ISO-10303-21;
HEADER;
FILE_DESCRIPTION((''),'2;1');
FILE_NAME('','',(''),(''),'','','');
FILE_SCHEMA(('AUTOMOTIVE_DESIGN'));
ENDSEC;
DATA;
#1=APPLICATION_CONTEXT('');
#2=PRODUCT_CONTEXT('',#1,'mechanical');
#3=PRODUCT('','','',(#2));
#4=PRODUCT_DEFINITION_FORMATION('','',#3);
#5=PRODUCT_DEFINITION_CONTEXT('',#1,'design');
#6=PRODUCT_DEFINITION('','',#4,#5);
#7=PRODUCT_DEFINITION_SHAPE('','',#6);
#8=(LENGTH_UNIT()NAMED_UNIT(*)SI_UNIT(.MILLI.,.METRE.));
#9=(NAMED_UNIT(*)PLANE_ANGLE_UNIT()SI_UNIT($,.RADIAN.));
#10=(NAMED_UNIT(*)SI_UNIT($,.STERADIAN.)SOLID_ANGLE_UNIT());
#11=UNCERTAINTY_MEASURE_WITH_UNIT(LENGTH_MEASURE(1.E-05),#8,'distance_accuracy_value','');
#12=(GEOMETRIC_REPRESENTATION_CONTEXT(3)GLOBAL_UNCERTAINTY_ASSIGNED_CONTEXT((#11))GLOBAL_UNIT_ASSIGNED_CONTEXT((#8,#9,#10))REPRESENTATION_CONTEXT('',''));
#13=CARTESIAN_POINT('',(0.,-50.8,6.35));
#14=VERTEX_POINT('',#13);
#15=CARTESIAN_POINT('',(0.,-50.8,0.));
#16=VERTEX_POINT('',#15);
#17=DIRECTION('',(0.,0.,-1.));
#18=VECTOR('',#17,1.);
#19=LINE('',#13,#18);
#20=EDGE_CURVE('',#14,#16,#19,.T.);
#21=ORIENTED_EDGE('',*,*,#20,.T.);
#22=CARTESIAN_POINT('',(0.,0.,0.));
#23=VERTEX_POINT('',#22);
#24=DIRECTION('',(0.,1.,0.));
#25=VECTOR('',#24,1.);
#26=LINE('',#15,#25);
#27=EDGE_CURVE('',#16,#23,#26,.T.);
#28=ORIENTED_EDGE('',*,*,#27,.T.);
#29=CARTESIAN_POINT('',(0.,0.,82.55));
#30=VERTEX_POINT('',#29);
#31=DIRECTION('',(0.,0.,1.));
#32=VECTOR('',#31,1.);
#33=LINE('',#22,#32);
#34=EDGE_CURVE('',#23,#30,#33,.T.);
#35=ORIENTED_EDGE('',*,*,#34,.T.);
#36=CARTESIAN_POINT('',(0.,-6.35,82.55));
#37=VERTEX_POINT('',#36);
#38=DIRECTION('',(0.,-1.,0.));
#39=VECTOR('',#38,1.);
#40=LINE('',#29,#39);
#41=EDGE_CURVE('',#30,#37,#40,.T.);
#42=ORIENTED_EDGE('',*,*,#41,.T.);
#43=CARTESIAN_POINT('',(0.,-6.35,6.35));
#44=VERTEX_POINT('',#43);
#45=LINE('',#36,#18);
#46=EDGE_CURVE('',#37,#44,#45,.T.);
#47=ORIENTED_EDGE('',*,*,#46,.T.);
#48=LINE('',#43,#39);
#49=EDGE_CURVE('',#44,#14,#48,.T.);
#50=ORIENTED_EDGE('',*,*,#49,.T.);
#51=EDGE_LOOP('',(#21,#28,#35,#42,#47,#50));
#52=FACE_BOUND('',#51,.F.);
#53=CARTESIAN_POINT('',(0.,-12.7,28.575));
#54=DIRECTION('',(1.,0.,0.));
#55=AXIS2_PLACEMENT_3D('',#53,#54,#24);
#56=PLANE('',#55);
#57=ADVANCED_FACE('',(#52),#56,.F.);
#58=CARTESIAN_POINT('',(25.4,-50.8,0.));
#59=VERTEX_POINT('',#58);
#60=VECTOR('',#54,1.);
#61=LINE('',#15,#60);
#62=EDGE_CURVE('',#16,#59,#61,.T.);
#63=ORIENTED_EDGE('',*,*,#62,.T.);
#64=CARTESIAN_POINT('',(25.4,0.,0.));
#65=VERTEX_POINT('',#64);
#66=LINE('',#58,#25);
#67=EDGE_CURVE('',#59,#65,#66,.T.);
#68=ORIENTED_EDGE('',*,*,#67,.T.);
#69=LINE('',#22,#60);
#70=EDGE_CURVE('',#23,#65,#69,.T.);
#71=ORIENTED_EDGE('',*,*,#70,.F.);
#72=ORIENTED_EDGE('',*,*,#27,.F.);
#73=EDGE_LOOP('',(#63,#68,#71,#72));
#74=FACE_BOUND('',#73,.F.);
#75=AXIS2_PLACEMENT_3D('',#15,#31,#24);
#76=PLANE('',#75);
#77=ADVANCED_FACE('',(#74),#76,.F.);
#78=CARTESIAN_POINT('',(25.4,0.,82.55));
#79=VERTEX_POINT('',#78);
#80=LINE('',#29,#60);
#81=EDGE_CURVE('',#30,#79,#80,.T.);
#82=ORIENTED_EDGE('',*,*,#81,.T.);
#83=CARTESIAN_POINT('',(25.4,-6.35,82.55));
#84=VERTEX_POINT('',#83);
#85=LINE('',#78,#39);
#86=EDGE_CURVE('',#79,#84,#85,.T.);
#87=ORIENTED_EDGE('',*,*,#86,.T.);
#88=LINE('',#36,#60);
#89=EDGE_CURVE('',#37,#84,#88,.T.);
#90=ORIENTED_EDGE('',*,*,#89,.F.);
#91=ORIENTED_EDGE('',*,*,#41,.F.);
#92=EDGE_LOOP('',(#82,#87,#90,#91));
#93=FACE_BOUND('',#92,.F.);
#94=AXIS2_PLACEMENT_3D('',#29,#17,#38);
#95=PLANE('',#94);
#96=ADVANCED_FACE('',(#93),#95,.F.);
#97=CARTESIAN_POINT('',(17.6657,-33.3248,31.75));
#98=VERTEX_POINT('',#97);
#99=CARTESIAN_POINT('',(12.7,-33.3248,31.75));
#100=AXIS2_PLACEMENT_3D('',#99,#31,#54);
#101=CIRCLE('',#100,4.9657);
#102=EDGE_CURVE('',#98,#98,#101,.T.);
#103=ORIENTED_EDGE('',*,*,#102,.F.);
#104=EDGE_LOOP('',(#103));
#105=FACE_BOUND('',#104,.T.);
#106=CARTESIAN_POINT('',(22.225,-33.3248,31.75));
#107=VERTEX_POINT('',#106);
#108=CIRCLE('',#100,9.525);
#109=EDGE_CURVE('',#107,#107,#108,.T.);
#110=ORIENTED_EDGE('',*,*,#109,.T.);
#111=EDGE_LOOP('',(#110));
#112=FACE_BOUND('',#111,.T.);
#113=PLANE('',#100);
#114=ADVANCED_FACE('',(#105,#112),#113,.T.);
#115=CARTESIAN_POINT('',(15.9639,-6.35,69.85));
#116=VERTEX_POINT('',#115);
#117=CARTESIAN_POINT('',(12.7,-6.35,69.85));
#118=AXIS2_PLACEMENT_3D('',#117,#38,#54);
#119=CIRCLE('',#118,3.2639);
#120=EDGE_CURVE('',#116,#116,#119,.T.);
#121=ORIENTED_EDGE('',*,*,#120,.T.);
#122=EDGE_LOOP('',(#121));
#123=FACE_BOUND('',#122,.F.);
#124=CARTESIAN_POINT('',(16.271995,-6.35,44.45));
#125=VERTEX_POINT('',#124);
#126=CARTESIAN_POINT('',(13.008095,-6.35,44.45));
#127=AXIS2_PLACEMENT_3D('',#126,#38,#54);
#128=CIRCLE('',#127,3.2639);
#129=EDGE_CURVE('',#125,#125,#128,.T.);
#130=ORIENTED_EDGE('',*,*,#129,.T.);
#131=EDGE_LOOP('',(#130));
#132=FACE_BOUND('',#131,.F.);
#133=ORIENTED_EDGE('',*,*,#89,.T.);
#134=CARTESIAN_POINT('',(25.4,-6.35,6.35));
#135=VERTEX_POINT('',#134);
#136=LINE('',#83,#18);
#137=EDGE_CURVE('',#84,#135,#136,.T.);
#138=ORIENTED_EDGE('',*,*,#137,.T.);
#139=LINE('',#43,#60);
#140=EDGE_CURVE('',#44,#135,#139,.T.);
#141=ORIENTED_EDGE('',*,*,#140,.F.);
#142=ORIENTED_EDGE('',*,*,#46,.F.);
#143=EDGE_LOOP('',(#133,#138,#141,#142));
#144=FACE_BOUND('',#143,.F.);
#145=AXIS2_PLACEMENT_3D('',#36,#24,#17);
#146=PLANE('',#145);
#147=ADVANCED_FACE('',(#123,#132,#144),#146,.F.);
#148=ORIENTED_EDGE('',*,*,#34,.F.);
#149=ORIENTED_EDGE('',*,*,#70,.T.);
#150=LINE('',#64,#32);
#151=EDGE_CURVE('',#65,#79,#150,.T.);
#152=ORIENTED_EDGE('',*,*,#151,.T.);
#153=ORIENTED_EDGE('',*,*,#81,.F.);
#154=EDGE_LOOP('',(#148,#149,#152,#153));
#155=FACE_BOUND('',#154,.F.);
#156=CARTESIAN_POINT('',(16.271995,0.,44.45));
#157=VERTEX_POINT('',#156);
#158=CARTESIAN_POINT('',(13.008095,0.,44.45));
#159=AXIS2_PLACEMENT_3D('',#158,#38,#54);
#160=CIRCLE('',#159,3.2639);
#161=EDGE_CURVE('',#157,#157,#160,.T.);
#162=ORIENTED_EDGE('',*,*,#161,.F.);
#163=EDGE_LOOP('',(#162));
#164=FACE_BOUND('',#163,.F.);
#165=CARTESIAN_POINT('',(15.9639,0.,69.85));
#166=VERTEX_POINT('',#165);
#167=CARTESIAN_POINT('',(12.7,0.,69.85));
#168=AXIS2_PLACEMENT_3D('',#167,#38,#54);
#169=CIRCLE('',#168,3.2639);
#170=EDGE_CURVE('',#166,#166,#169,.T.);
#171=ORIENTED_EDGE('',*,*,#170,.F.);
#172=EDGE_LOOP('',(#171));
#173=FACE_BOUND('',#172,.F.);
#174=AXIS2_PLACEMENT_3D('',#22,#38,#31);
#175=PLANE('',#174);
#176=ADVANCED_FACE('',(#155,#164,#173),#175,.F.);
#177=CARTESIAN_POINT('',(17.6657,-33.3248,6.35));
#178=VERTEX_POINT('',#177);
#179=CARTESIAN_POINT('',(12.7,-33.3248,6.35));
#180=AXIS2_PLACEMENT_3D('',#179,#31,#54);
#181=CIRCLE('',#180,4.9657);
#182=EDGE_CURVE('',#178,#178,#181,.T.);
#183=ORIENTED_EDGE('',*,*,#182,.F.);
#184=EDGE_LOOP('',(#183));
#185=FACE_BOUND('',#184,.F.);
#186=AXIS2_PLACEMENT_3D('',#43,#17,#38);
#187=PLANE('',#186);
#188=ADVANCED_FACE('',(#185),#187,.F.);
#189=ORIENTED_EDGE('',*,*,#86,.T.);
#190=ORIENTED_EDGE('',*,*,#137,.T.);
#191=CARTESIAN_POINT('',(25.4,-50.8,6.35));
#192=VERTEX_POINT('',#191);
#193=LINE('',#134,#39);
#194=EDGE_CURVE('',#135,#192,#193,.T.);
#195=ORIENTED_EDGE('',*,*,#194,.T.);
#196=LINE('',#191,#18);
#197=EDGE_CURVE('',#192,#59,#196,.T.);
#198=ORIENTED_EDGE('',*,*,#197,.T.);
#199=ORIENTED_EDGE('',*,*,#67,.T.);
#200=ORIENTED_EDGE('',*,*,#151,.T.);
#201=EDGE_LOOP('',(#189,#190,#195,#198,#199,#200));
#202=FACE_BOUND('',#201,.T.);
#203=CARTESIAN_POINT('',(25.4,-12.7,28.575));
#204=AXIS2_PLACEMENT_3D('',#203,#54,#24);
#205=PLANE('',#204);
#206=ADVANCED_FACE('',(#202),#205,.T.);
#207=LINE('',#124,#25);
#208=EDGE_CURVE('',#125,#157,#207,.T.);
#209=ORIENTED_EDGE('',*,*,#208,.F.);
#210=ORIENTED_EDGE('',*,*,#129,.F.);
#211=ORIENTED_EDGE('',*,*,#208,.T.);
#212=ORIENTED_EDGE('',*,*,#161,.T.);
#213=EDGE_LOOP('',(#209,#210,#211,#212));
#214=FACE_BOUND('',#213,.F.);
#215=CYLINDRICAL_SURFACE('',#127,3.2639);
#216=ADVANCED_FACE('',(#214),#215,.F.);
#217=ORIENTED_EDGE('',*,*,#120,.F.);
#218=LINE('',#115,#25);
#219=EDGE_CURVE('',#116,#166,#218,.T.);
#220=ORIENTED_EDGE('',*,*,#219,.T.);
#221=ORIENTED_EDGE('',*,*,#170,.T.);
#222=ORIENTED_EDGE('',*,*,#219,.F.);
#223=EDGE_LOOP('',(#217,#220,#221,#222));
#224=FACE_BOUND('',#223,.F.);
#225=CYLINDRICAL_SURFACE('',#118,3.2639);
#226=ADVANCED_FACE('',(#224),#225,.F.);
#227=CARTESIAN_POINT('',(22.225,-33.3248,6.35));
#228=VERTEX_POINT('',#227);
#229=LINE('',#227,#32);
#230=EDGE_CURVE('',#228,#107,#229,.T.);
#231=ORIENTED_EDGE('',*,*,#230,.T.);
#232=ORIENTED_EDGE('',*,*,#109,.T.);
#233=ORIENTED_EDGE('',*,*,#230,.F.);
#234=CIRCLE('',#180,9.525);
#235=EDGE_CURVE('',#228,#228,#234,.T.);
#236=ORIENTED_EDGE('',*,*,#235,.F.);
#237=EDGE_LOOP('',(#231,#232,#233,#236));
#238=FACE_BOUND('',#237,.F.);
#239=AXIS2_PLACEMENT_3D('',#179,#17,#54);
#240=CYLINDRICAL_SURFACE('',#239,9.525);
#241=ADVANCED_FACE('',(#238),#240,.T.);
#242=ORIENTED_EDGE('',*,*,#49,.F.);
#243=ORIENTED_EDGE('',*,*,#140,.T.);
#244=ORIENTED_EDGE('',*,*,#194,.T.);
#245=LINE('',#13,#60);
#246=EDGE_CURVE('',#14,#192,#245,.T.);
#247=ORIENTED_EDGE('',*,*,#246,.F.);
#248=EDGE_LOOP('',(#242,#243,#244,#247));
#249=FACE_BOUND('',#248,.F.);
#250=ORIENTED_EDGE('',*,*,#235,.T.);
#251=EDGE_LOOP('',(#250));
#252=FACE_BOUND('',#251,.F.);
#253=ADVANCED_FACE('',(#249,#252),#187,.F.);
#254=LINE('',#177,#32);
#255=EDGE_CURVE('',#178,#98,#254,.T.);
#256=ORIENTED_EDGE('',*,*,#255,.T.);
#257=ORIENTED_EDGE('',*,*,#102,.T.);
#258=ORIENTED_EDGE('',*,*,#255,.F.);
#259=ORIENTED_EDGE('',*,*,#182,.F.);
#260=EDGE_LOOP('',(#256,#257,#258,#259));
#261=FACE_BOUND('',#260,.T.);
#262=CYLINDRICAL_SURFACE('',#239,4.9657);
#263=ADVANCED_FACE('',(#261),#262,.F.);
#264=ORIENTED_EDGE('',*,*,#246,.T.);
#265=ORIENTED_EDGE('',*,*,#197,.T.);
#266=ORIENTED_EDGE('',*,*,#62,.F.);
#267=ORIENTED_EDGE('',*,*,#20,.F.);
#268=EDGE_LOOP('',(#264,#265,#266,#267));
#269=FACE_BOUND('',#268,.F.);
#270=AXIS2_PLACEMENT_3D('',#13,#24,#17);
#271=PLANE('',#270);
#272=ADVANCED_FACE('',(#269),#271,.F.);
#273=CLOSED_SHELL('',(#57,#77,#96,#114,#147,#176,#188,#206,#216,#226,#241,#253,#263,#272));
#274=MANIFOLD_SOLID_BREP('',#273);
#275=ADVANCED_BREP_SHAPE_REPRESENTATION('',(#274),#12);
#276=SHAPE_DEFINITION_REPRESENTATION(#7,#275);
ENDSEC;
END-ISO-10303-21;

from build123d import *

# Parameters (mm, degrees)
F1_DEPTH = 25.4
F2_R     = 9.525
F2_R_2   = 4.9657
F3_DEPTH = 25.4
F4_R     = 3.2639
F5_DEPTH = 25.4


with BuildPart() as f1:
    # F0 (on Right) → F1 (new body)
    with BuildSketch(Plane.YZ):
        Polygon((-50.8, 0), (0, 0), (0, 82.55), (-6.35, 82.55), (-6.35, 6.35), (-50.8, 6.35), align=None)
    extrude(amount=F1_DEPTH)

    # F2 (on face) → F3 (join)
    with BuildSketch(Plane.XY.offset(6.35)):
        with Locations((12.7, -33.3248)):
            Circle(F2_R)
        with Locations((12.7, -33.3248)):
            Circle(F2_R_2, mode=Mode.SUBTRACT)
    extrude(amount=F3_DEPTH)

    # F4 (on face) → F5 (cut)
    with BuildSketch(Plane.XZ.offset(6.35)):
        with Locations((12.7, 69.85)):
            Circle(F4_R)
        with Locations((13.008095, 44.45)):
            Circle(F4_R)
    extrude(amount=-F5_DEPTH, mode=Mode.SUBTRACT)


solid = f1.part
